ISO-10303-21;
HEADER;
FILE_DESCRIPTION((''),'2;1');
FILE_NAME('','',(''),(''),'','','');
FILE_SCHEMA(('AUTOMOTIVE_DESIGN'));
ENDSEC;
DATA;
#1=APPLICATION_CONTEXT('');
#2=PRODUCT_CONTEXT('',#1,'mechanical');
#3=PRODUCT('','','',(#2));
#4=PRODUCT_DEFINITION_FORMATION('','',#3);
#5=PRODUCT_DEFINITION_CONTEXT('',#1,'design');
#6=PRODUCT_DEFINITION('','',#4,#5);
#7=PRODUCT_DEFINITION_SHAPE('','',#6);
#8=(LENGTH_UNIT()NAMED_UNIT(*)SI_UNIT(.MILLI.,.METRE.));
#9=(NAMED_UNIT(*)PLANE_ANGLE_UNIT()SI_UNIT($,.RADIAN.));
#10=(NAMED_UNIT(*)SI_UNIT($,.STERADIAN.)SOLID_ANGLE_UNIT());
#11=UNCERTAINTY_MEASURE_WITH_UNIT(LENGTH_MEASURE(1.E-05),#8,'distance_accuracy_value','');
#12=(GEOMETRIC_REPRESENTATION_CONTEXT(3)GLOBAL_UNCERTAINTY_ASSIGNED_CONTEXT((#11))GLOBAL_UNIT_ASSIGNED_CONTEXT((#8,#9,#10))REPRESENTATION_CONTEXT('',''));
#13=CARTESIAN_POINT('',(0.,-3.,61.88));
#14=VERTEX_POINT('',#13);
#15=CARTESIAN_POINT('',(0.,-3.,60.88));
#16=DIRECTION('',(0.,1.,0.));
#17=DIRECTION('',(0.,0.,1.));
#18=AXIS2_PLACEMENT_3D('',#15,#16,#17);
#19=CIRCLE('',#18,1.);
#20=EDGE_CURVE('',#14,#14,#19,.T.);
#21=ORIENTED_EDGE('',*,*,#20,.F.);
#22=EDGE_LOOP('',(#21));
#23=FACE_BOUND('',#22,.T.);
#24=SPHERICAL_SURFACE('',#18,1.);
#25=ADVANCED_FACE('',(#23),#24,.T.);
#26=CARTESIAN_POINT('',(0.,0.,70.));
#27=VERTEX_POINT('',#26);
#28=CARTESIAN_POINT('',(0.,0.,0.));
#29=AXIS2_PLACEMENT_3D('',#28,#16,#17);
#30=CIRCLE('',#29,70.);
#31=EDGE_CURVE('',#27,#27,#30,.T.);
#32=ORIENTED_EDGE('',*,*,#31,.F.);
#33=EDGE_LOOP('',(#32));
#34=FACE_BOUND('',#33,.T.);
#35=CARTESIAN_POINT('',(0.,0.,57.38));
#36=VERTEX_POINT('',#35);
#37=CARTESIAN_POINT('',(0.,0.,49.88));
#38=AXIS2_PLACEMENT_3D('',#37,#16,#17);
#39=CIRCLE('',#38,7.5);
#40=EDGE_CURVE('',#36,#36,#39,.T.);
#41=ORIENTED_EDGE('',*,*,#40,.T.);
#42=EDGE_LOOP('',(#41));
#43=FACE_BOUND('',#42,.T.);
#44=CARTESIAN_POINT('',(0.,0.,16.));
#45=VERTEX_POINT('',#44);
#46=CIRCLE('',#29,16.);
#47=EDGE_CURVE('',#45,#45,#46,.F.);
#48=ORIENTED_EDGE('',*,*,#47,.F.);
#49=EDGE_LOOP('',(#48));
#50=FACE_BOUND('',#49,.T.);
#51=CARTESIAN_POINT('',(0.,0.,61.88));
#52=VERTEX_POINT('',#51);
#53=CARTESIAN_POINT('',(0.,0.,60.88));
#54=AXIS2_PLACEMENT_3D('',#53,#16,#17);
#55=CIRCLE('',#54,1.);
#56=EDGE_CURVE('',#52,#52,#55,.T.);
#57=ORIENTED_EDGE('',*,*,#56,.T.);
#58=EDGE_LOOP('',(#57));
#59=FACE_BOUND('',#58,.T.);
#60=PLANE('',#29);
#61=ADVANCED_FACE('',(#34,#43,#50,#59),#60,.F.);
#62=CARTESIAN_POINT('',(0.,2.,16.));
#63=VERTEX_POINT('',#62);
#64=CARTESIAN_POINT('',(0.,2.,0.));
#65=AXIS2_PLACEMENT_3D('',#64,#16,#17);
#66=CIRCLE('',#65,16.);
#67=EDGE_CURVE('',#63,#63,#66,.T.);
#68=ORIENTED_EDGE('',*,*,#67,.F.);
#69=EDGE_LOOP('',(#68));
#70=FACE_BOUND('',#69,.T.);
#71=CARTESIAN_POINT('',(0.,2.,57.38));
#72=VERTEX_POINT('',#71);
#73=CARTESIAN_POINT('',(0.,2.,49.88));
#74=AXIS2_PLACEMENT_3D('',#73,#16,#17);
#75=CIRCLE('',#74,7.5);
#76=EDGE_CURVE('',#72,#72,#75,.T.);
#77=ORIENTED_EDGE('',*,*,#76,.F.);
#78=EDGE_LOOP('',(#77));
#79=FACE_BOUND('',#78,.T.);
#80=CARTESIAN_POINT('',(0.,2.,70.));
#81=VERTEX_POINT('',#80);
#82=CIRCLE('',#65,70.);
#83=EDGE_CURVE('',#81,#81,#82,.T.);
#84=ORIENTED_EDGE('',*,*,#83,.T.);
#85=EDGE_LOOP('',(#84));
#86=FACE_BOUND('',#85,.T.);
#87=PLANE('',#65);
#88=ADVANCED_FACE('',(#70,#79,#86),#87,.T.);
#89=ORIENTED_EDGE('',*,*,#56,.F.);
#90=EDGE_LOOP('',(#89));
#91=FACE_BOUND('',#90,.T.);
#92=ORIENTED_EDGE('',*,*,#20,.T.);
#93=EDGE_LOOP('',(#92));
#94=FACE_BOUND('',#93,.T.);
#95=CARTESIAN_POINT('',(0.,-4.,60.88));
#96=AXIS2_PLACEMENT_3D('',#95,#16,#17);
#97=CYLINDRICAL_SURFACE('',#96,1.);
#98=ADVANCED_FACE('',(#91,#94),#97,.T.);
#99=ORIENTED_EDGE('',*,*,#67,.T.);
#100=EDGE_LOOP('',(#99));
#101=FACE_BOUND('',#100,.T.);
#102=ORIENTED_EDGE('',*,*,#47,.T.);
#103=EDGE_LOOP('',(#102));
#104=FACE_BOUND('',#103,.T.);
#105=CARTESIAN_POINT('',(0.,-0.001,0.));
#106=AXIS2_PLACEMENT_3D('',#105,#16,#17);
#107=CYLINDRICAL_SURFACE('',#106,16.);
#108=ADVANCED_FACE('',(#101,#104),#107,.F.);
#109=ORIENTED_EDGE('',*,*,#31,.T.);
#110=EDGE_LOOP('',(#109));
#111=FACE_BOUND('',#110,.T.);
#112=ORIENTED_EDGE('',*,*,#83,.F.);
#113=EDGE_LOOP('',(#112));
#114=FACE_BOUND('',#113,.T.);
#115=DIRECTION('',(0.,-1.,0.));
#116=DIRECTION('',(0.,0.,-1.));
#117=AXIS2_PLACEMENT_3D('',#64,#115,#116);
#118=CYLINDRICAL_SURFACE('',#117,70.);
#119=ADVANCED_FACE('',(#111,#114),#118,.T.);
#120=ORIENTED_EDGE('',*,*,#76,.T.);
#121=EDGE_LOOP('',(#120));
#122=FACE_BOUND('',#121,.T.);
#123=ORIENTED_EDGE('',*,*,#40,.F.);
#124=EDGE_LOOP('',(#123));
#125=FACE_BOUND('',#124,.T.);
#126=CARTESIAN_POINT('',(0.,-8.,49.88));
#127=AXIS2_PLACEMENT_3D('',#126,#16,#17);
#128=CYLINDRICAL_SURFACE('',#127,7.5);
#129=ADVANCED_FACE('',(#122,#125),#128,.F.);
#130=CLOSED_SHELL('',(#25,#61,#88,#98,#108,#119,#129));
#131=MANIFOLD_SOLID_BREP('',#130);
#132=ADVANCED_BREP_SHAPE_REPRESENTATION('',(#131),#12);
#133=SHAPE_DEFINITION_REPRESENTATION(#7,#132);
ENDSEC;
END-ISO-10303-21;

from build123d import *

# Parameters (mm, degrees)
SKETCH1_R           = 70
BOSS_EXTRUDE1_DEPTH = 2
CUT_EXTRUDE2_REACH  = 4
SKETCH5_R           = 16
SKETCH6_R           = 7.5
CUT_EXTRUDE3_DEPTH  = 10
SKETCH7_R           = 1
BOSS_EXTRUDE2_DEPTH = 4
FILLET1_R           = 1


with BuildPart() as part:
    # Sketch1 → Boss-Extrude1 (new body)
    with BuildSketch(Plane(origin=(0, 0, 0), x_dir=(1, 0, 0), z_dir=(0, 1, 0))):
        Circle(SKETCH1_R)
    extrude(amount=BOSS_EXTRUDE1_DEPTH)

    # Sketch5 → Cut-Extrude2 (cut, up to next)
    with BuildSketch(Plane(origin=(0, 2, 0), x_dir=(1, 0, 0), z_dir=(0, 1, 0)), mode=Mode.PRIVATE) as cut_extrude2_sk1:
        Circle(SKETCH5_R)
    cut_extrude2_tool1 = extrude(cut_extrude2_sk1.sketch, amount=-CUT_EXTRUDE2_REACH, mode=Mode.PRIVATE) & part.part
    add(cut_extrude2_tool1.solids().sort_by_distance((0, 2, 0))[0], mode=Mode.SUBTRACT)

    # Sketch6 → Cut-Extrude3 (cut)
    with BuildSketch(Plane(origin=(0, 2, 0), x_dir=(1, 0, 0), z_dir=(0, 1, 0))):
        with Locations((0, -49.88)):
            Circle(SKETCH6_R)
    extrude(amount=-CUT_EXTRUDE3_DEPTH, mode=Mode.SUBTRACT)

    # Sketch7 → Boss-Extrude2 (add)
    with BuildSketch(Plane(origin=(0, 0, 0), x_dir=(1, 0, 0), z_dir=(0, 1, 0))):
        with Locations((0, -60.88)):
            Circle(SKETCH7_R)
    extrude(amount=-BOSS_EXTRUDE2_DEPTH)

    # Fillet1
    fillet1_edges = [part.edges().sort_by_distance(p)[0] for p in [
        (-1, -4, 60.88),
    ]]
    fillet(fillet1_edges, radius=FILLET1_R)


solid = part.part
